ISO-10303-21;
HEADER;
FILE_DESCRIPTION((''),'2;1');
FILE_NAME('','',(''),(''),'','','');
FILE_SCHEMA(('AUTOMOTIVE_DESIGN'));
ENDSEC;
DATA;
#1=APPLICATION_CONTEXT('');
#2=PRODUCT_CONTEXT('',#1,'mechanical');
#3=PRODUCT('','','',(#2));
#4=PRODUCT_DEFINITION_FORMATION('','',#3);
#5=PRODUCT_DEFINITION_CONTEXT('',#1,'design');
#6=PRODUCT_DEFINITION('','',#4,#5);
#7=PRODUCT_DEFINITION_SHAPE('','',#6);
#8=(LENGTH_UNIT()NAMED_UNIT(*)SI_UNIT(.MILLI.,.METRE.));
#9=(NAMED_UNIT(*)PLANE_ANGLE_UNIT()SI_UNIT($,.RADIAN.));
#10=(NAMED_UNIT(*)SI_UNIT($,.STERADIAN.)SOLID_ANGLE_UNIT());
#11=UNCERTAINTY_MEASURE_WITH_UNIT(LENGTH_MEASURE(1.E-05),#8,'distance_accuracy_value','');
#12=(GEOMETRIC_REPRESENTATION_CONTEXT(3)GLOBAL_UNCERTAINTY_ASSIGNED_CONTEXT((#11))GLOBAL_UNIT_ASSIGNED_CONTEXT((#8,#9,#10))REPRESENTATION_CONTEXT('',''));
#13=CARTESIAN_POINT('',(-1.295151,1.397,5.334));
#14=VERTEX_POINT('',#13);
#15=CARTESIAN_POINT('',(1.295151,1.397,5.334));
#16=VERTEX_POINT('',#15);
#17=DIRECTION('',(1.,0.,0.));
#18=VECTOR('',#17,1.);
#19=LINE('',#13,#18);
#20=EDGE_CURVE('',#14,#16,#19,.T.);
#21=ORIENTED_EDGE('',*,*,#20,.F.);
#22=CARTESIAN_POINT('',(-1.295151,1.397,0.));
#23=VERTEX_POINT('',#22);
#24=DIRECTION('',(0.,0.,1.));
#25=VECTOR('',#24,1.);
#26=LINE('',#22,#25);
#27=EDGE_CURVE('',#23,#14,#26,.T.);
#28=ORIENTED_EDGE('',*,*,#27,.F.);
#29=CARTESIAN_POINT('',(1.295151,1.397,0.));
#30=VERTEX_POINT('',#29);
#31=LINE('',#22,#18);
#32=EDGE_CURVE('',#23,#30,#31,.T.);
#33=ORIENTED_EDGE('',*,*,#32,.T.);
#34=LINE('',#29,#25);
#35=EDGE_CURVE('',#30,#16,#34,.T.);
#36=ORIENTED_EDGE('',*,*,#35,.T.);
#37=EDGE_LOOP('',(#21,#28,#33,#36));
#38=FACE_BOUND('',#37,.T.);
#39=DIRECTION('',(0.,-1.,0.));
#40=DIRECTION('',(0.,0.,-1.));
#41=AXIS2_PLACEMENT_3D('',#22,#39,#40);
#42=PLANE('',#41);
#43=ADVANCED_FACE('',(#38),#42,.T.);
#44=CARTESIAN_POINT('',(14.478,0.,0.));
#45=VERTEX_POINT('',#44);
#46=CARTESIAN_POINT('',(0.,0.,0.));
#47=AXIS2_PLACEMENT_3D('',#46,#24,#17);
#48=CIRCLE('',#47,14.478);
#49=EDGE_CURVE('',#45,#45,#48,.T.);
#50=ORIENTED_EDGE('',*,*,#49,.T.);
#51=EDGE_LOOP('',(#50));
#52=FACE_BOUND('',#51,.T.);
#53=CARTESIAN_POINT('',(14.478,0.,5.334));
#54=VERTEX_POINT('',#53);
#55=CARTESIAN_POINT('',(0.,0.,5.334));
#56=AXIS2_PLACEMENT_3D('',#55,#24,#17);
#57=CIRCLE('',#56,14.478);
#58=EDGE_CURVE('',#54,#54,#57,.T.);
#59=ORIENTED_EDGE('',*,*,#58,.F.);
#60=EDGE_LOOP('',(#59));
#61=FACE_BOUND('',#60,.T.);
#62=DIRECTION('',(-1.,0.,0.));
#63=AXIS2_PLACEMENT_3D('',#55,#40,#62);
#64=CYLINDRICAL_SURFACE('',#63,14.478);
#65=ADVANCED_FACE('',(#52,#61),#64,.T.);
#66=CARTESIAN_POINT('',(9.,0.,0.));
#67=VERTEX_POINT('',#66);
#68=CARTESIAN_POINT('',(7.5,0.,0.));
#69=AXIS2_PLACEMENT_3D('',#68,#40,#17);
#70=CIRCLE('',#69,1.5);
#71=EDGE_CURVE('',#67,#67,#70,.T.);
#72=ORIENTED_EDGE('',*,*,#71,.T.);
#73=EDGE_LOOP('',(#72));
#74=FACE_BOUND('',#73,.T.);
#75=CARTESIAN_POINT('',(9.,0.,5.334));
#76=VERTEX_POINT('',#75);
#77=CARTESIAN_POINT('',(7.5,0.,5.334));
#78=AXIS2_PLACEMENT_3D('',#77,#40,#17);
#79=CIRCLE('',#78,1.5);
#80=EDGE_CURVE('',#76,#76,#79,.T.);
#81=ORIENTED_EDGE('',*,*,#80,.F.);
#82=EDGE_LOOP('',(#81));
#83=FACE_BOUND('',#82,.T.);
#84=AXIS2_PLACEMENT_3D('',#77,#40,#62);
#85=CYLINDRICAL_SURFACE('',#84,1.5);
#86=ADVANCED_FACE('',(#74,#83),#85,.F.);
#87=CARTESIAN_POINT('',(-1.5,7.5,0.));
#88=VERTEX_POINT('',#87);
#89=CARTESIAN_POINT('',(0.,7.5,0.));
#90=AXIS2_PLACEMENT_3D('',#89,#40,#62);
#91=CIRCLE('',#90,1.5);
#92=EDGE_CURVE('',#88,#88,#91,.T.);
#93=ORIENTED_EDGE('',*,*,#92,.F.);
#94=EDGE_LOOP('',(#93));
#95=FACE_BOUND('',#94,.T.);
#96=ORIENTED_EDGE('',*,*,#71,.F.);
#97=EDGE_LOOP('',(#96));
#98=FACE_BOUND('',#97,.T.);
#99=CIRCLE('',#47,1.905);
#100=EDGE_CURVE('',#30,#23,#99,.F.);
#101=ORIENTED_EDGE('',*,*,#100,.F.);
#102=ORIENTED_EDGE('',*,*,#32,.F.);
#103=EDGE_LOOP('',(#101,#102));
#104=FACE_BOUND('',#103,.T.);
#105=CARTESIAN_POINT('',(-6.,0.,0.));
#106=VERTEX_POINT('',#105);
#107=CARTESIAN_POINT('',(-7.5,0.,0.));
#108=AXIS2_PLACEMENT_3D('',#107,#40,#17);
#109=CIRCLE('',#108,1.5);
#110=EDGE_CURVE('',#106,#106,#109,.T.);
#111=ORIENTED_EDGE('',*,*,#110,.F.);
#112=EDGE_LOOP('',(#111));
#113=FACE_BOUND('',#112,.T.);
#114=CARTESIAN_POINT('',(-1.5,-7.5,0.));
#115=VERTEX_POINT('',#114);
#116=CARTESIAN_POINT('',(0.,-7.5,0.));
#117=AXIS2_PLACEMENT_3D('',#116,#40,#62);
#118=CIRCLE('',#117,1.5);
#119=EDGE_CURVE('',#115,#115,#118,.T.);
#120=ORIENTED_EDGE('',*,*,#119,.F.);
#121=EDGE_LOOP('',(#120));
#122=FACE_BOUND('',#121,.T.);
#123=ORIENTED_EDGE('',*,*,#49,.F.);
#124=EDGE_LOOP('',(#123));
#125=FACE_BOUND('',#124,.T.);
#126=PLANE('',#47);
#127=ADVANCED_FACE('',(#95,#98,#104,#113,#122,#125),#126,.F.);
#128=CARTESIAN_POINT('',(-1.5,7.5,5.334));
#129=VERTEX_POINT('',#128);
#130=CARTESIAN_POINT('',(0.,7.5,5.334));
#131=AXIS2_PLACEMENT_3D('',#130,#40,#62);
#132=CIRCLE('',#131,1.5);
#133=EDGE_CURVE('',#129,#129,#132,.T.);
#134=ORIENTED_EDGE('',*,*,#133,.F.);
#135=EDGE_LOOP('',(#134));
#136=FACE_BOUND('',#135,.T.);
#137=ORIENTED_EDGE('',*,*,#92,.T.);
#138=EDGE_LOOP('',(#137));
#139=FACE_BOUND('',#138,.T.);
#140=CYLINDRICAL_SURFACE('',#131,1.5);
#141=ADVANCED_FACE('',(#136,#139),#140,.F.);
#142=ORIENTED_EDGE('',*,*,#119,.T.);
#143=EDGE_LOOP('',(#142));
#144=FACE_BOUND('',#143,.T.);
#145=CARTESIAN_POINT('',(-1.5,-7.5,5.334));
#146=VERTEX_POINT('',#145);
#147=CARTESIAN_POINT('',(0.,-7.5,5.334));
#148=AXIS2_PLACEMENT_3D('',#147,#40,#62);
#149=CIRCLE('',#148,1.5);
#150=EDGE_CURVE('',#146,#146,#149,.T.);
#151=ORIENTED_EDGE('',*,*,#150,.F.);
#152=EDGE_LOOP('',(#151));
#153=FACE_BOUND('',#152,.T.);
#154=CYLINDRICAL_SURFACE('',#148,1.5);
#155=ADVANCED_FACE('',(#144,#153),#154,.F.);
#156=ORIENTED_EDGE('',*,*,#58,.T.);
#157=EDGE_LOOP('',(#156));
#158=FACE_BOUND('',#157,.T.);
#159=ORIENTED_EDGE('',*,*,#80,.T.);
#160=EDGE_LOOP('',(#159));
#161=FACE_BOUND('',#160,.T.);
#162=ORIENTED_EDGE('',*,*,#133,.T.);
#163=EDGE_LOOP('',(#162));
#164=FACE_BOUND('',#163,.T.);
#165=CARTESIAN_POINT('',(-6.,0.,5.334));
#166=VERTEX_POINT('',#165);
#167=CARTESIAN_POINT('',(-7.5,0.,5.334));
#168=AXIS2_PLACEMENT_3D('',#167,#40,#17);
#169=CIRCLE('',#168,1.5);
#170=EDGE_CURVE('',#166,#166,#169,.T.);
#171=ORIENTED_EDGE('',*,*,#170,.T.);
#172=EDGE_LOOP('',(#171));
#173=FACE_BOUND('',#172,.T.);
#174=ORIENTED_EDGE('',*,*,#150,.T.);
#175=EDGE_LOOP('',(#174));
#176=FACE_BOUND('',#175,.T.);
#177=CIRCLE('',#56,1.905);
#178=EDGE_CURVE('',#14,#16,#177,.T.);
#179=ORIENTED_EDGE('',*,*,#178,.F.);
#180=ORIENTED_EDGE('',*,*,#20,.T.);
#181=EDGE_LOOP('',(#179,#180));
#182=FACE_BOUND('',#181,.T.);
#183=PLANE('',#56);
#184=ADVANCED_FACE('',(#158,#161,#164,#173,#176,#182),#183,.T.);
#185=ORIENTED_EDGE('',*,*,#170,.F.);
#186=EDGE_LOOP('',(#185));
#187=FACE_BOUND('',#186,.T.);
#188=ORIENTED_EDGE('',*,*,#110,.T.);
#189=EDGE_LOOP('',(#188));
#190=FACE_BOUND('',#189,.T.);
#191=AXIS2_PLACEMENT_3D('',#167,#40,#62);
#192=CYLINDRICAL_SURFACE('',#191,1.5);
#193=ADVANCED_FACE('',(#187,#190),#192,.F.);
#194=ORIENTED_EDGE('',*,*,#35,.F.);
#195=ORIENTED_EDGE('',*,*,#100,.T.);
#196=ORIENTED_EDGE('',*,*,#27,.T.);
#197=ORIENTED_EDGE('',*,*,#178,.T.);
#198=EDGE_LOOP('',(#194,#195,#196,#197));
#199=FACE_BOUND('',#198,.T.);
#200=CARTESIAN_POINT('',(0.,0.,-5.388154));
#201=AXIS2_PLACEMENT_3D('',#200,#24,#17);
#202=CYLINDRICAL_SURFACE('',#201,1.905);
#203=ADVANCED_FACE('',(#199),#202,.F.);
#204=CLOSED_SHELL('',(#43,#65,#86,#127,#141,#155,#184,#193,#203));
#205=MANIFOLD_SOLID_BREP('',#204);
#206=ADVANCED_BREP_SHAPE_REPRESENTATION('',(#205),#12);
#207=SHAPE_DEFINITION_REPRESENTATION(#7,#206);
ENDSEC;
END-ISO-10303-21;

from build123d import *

# Parameters (mm, degrees)
SKETCH1_R           = 14.478
BOSS_EXTRUDE1_DEPTH = 5.334
SKETCH2_R           = 1.905
CUT_EXTRUDE2_DEPTH  = 5.334
BOSS_EXTRUDE3_DEPTH = 5.334
SKETCH4_R           = 1.5
CUT_EXTRUDE4_DEPTH  = 22.158367706


with BuildPart() as part:
    # Sketch1 → Boss-Extrude1 (new body)
    with BuildSketch(Plane.XY):
        Circle(SKETCH1_R)
    extrude(amount=BOSS_EXTRUDE1_DEPTH)

    # Sketch2 → Cut-Extrude2 (cut)
    with BuildSketch(Plane.XY.offset(5.334)):
        Circle(SKETCH2_R)
    extrude(amount=-CUT_EXTRUDE2_DEPTH, mode=Mode.SUBTRACT)

    # Sketch3 → Boss-Extrude3 (add)
    with BuildSketch(Plane.XY.offset(5.334)):
        with BuildLine():
            Line((-1.295150956, 1.397), (1.295150956, 1.397))
            ThreePointArc((1.295150956, 1.397), (0, 1.905), (-1.295150956, 1.397))
        make_face()
    extrude(amount=-BOSS_EXTRUDE3_DEPTH)

    # Sketch4 → Cut-Extrude4 (cut, through all)
    with BuildSketch(Plane(origin=(0, 0, 0), x_dir=(-1, 0, 0), z_dir=(0, 0, -1))):
        with Locations((0, -7.5)):
            Circle(SKETCH4_R)
        with Locations(Location((7.5, 0, 0), (0, 0, 180))):
            Circle(SKETCH4_R)
        with Locations(Location((-7.5, 0, 0), (0, 0, 180))):
            Circle(SKETCH4_R)
        with Locations((0, 7.5)):
            Circle(SKETCH4_R)
    extrude(amount=-CUT_EXTRUDE4_DEPTH, mode=Mode.SUBTRACT)


solid = part.part
